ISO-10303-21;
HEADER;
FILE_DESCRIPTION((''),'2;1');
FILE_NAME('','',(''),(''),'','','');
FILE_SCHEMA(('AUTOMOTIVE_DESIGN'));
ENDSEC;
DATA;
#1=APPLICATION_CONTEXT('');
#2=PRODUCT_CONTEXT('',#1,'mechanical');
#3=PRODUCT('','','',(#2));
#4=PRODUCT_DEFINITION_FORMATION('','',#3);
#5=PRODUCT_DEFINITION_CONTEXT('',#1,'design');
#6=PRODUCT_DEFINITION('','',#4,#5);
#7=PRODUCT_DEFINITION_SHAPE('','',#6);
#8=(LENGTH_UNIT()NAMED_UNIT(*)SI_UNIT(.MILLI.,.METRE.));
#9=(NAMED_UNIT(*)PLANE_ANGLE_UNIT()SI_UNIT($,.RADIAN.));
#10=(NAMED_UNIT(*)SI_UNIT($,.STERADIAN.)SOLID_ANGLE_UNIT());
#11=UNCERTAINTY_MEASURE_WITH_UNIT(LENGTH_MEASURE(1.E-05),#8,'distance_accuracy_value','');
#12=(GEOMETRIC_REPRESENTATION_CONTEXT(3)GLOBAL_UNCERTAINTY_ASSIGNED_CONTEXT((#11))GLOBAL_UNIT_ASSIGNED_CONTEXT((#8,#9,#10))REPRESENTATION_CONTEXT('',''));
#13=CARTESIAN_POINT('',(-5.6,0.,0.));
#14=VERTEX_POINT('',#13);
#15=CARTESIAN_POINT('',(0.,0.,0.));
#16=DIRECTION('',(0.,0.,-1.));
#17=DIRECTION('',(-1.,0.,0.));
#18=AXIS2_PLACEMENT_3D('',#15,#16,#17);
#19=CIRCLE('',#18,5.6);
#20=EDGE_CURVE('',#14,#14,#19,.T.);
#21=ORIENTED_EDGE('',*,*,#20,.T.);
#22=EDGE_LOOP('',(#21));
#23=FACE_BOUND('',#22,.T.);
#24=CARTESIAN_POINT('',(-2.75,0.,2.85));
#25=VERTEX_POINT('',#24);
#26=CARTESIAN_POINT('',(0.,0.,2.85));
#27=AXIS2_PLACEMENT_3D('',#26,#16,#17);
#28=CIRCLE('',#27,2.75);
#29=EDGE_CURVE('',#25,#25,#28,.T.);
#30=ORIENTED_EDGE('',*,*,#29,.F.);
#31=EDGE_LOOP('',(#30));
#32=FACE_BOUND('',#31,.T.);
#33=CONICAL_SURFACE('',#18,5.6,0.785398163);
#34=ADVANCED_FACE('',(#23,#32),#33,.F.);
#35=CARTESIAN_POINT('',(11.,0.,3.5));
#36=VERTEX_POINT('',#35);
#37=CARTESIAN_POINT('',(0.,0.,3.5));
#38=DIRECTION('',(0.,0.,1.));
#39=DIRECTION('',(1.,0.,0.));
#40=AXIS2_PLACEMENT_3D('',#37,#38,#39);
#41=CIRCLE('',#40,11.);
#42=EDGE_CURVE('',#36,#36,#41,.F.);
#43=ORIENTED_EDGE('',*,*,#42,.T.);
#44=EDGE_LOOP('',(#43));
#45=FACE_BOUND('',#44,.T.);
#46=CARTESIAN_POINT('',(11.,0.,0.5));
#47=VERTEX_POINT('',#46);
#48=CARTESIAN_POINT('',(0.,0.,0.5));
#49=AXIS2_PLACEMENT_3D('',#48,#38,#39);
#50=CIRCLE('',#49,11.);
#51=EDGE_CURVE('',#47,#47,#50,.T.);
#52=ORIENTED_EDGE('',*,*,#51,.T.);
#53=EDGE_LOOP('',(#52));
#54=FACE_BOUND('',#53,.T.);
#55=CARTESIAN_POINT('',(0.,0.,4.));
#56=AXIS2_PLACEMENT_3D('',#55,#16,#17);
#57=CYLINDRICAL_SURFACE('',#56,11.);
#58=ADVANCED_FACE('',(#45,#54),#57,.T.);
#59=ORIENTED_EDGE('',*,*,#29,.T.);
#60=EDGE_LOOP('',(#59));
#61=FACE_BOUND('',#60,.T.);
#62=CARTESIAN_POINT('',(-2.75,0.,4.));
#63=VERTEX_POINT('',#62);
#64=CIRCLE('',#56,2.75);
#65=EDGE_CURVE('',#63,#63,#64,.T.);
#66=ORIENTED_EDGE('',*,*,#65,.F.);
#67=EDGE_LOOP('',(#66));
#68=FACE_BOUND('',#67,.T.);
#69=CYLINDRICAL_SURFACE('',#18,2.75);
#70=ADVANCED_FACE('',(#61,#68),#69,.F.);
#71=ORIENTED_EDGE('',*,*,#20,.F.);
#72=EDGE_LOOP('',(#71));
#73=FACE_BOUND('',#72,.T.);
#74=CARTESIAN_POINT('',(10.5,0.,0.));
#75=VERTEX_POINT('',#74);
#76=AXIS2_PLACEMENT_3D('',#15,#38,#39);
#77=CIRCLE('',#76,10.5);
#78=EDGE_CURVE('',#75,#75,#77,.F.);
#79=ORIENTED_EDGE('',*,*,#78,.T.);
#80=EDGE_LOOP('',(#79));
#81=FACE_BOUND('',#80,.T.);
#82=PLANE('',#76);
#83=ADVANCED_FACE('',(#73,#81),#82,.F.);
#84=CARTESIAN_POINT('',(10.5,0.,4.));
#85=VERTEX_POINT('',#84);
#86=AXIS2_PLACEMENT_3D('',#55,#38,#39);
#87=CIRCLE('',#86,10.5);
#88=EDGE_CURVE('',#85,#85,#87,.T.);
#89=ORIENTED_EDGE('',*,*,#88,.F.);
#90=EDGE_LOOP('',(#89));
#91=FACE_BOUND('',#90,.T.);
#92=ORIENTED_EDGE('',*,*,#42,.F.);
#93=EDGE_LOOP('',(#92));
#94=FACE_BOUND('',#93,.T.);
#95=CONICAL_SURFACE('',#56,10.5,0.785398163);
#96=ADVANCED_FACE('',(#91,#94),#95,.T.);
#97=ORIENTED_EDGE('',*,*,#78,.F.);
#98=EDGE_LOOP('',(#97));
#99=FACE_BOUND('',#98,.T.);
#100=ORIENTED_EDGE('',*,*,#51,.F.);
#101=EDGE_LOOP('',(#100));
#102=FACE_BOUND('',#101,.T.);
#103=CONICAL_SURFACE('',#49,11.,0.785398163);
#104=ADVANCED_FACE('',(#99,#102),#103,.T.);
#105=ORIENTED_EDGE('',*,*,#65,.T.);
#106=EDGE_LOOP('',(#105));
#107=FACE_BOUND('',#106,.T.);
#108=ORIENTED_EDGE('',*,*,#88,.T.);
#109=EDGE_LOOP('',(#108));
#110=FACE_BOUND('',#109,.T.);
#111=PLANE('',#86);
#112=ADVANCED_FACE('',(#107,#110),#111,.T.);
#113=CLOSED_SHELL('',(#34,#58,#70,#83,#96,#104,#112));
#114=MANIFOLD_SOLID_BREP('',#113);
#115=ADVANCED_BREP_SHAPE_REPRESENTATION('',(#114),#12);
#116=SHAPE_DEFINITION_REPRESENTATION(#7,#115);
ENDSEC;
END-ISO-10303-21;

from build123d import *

# Parameters (mm, degrees)
SKETCH_1_R      = 11
EXTRUDE_1_DEPTH = 4
CHAMFER_1_SIZE  = 0.5


with BuildPart() as part:
    # 草图1 → 拉伸1 (new body)
    with BuildSketch(Plane.XY):
        Circle(SKETCH_1_R)
    extrude(amount=EXTRUDE_1_DEPTH)

    # 倒角1
    chamfer_1_edges = [part.edges().sort_by_distance(p)[0] for p in [
        (-11, 0, 0),
        (-11, 0, 4),
    ]]
    chamfer(chamfer_1_edges, length=CHAMFER_1_SIZE)

    # 草图2 → 打孔尺寸根据十字槽沉头木螺钉的类型1 (revolve, cut)
    with BuildSketch(Plane.YZ):
        Polygon((0, 0), (0, 4), (2.75, 4), (2.75, 2.85), (5.6, 0), align=None)
    revolve(axis=Axis((0, 0, -6.35), (0, 0, 1)), mode=Mode.SUBTRACT)


solid = part.part
